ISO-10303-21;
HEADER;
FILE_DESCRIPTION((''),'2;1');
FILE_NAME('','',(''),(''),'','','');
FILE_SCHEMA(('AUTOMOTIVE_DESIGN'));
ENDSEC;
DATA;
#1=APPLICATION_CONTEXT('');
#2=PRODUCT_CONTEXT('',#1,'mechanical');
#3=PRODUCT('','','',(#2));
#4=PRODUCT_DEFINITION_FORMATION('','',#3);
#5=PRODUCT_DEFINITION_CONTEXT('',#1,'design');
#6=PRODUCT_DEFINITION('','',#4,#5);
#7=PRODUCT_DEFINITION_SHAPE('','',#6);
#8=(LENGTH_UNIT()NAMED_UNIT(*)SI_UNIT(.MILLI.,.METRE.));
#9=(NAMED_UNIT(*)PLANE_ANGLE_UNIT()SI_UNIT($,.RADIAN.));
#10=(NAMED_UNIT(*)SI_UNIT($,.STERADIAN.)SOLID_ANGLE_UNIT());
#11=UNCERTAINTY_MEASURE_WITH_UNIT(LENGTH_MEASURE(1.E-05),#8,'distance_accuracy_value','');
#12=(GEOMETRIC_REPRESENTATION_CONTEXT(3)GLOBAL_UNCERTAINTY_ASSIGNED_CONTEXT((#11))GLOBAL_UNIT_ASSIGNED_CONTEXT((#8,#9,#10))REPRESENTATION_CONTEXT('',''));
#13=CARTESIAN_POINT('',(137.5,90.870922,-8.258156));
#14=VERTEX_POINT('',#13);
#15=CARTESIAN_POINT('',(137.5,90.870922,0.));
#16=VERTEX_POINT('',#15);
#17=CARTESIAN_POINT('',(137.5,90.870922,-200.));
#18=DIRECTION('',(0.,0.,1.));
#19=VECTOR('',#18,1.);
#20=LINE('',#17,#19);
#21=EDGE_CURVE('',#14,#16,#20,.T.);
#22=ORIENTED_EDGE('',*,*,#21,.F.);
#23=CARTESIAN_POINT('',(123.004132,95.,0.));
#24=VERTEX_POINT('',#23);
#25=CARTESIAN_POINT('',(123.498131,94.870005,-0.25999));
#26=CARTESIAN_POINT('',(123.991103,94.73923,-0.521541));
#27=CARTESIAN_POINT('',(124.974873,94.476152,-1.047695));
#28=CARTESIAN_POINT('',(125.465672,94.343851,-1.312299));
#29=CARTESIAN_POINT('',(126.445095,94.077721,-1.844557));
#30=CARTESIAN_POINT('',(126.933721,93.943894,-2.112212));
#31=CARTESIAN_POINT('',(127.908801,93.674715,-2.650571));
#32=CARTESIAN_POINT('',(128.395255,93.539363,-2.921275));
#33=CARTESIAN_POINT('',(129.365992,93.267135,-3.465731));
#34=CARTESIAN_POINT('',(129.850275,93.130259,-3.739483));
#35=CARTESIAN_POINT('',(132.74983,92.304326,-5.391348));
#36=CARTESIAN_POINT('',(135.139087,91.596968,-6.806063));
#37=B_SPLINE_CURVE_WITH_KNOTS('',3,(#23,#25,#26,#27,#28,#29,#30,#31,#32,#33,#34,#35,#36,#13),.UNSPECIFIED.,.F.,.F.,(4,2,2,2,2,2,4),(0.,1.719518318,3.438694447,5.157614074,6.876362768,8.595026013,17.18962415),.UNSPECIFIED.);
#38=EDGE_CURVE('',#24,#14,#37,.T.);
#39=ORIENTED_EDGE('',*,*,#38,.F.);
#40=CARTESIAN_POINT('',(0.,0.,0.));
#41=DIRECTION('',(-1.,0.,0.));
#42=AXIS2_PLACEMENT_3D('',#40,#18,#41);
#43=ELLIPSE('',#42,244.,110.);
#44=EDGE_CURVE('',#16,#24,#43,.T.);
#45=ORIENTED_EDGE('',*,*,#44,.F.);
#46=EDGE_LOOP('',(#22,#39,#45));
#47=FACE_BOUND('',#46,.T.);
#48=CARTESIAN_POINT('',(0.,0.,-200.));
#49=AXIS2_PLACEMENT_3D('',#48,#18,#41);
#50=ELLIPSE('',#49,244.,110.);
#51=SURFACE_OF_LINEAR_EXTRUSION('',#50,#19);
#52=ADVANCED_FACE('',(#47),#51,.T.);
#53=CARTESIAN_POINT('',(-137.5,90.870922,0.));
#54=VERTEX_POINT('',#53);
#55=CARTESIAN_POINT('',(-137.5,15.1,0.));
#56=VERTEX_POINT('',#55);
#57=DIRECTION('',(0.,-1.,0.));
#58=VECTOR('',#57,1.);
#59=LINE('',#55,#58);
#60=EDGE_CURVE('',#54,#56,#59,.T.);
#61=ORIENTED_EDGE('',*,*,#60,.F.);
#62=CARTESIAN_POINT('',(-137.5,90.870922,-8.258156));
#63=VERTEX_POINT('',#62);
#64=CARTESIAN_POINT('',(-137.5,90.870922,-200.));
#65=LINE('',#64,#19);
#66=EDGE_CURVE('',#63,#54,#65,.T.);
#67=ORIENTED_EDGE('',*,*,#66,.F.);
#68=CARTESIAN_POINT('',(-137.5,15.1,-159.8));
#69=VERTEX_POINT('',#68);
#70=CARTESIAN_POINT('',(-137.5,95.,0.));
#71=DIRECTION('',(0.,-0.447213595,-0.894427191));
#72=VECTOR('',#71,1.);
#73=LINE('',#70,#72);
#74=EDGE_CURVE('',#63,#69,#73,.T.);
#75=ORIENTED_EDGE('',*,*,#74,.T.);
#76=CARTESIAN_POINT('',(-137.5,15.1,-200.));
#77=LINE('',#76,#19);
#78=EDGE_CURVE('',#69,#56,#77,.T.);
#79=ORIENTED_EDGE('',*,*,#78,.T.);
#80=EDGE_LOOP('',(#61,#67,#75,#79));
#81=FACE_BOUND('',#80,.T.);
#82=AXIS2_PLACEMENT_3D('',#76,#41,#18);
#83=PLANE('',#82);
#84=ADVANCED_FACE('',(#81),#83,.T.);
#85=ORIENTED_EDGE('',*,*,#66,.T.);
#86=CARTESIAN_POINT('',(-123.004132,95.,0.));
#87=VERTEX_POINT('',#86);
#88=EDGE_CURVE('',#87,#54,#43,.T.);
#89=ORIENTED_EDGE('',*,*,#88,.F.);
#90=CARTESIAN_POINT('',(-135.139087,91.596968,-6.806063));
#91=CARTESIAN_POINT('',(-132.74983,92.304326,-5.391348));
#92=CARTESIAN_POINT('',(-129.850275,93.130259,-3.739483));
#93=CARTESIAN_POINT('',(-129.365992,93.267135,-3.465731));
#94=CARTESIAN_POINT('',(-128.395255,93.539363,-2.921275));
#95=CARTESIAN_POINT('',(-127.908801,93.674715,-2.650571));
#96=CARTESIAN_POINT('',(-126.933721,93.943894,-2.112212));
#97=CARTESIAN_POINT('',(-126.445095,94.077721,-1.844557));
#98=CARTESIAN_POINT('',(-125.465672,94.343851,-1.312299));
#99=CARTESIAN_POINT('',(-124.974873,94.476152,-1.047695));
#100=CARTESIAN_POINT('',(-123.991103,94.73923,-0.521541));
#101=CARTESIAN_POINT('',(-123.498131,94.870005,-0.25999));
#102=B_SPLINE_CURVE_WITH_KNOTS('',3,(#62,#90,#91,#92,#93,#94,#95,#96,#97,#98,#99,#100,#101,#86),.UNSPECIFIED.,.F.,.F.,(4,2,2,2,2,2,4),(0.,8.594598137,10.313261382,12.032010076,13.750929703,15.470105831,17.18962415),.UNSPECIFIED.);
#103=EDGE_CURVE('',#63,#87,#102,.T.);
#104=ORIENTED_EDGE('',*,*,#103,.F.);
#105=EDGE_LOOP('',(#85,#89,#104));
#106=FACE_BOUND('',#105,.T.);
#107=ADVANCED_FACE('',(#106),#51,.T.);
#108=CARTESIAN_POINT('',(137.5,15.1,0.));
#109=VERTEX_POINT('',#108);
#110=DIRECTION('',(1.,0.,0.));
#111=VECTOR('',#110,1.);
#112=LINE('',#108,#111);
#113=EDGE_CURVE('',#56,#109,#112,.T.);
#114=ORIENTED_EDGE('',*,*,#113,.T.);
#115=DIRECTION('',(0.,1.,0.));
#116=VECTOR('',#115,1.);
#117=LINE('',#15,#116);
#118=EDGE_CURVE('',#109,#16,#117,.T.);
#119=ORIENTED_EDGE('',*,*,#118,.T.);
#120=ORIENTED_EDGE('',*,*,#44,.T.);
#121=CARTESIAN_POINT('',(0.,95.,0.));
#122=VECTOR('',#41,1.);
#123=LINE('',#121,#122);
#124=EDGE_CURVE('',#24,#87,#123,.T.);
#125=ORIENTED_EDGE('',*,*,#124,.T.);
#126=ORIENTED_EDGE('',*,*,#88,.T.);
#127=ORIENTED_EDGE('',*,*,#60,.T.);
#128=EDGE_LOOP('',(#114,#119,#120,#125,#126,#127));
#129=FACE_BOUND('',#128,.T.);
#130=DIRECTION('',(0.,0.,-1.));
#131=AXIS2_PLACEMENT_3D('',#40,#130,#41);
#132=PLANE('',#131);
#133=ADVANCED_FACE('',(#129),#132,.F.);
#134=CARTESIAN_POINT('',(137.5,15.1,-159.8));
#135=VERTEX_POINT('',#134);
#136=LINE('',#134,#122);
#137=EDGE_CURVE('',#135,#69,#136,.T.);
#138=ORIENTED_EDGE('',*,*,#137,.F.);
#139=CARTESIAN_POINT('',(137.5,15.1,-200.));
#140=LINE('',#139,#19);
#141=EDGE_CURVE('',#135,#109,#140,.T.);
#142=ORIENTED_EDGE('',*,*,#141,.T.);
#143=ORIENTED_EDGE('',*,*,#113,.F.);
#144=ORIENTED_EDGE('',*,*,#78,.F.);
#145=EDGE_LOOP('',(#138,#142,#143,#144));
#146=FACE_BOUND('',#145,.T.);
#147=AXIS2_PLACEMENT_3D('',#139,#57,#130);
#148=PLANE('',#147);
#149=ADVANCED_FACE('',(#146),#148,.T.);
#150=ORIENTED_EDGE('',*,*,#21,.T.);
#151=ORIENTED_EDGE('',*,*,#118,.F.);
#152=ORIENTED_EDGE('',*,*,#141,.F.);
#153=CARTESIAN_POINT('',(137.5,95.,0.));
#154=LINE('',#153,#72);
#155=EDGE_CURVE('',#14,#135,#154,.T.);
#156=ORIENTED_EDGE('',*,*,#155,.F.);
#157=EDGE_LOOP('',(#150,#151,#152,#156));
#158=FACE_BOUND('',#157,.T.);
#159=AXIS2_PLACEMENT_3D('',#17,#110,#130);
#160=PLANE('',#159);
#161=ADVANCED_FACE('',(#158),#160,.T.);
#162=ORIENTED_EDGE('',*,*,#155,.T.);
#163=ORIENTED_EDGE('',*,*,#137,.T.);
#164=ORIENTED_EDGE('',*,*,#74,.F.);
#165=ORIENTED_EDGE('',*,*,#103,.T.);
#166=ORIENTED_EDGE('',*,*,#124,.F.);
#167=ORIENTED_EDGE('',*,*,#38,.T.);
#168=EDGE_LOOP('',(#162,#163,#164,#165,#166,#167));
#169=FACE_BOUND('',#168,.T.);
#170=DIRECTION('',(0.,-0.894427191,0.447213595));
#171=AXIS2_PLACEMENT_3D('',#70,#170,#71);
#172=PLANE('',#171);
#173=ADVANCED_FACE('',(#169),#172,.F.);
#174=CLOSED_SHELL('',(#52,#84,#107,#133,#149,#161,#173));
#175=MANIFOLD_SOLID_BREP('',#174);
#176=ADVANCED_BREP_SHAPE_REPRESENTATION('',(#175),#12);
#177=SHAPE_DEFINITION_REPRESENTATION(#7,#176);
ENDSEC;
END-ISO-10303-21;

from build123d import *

# Parameters (mm, degrees)
BOSS_EXTRUDE2_DEPTH      = 200
CUT_EXTRUDE10_DEPTH      = 138.5000001
CUT_EXTRUDE10_DEPTH_BACK = 138.5000001


with BuildPart() as part:
    # Sketch18 → Boss-Extrude2 (new body)
    with BuildSketch(Plane.XY):
        with BuildLine():
            Line((137.5, 90.870921856), (137.5, 15.1))
            Line((137.5, 15.1), (-137.5, 15.1))
            Line((-137.5, 15.1), (-137.5, 90.870921856))
            add(Edge.make_bspline(
                [(137.5, 90.870921856), (0, 133.155906783), (-137.5, 90.870921856)],
                knots=[4.113742813, 4.113742813, 4.113742813, 5.311035148, 5.311035148, 5.311035148], degree=2, weights=[1, 0.82609929, 1]))
        make_face()
    extrude(amount=-BOSS_EXTRUDE2_DEPTH)

    # Sketch15 → Cut-Extrude10 (cut, two sides)
    with BuildSketch(Plane(origin=(0, 0, 0), x_dir=(0, 0, -1), z_dir=(1, 0, 0))) as cut_extrude10_sk:
        Polygon((0, 110), (0, 95), (200, -5), (200, 110), align=None)
    extrude(amount=CUT_EXTRUDE10_DEPTH, mode=Mode.SUBTRACT)
    extrude(cut_extrude10_sk.sketch, amount=-CUT_EXTRUDE10_DEPTH_BACK, mode=Mode.SUBTRACT)


solid = part.part
